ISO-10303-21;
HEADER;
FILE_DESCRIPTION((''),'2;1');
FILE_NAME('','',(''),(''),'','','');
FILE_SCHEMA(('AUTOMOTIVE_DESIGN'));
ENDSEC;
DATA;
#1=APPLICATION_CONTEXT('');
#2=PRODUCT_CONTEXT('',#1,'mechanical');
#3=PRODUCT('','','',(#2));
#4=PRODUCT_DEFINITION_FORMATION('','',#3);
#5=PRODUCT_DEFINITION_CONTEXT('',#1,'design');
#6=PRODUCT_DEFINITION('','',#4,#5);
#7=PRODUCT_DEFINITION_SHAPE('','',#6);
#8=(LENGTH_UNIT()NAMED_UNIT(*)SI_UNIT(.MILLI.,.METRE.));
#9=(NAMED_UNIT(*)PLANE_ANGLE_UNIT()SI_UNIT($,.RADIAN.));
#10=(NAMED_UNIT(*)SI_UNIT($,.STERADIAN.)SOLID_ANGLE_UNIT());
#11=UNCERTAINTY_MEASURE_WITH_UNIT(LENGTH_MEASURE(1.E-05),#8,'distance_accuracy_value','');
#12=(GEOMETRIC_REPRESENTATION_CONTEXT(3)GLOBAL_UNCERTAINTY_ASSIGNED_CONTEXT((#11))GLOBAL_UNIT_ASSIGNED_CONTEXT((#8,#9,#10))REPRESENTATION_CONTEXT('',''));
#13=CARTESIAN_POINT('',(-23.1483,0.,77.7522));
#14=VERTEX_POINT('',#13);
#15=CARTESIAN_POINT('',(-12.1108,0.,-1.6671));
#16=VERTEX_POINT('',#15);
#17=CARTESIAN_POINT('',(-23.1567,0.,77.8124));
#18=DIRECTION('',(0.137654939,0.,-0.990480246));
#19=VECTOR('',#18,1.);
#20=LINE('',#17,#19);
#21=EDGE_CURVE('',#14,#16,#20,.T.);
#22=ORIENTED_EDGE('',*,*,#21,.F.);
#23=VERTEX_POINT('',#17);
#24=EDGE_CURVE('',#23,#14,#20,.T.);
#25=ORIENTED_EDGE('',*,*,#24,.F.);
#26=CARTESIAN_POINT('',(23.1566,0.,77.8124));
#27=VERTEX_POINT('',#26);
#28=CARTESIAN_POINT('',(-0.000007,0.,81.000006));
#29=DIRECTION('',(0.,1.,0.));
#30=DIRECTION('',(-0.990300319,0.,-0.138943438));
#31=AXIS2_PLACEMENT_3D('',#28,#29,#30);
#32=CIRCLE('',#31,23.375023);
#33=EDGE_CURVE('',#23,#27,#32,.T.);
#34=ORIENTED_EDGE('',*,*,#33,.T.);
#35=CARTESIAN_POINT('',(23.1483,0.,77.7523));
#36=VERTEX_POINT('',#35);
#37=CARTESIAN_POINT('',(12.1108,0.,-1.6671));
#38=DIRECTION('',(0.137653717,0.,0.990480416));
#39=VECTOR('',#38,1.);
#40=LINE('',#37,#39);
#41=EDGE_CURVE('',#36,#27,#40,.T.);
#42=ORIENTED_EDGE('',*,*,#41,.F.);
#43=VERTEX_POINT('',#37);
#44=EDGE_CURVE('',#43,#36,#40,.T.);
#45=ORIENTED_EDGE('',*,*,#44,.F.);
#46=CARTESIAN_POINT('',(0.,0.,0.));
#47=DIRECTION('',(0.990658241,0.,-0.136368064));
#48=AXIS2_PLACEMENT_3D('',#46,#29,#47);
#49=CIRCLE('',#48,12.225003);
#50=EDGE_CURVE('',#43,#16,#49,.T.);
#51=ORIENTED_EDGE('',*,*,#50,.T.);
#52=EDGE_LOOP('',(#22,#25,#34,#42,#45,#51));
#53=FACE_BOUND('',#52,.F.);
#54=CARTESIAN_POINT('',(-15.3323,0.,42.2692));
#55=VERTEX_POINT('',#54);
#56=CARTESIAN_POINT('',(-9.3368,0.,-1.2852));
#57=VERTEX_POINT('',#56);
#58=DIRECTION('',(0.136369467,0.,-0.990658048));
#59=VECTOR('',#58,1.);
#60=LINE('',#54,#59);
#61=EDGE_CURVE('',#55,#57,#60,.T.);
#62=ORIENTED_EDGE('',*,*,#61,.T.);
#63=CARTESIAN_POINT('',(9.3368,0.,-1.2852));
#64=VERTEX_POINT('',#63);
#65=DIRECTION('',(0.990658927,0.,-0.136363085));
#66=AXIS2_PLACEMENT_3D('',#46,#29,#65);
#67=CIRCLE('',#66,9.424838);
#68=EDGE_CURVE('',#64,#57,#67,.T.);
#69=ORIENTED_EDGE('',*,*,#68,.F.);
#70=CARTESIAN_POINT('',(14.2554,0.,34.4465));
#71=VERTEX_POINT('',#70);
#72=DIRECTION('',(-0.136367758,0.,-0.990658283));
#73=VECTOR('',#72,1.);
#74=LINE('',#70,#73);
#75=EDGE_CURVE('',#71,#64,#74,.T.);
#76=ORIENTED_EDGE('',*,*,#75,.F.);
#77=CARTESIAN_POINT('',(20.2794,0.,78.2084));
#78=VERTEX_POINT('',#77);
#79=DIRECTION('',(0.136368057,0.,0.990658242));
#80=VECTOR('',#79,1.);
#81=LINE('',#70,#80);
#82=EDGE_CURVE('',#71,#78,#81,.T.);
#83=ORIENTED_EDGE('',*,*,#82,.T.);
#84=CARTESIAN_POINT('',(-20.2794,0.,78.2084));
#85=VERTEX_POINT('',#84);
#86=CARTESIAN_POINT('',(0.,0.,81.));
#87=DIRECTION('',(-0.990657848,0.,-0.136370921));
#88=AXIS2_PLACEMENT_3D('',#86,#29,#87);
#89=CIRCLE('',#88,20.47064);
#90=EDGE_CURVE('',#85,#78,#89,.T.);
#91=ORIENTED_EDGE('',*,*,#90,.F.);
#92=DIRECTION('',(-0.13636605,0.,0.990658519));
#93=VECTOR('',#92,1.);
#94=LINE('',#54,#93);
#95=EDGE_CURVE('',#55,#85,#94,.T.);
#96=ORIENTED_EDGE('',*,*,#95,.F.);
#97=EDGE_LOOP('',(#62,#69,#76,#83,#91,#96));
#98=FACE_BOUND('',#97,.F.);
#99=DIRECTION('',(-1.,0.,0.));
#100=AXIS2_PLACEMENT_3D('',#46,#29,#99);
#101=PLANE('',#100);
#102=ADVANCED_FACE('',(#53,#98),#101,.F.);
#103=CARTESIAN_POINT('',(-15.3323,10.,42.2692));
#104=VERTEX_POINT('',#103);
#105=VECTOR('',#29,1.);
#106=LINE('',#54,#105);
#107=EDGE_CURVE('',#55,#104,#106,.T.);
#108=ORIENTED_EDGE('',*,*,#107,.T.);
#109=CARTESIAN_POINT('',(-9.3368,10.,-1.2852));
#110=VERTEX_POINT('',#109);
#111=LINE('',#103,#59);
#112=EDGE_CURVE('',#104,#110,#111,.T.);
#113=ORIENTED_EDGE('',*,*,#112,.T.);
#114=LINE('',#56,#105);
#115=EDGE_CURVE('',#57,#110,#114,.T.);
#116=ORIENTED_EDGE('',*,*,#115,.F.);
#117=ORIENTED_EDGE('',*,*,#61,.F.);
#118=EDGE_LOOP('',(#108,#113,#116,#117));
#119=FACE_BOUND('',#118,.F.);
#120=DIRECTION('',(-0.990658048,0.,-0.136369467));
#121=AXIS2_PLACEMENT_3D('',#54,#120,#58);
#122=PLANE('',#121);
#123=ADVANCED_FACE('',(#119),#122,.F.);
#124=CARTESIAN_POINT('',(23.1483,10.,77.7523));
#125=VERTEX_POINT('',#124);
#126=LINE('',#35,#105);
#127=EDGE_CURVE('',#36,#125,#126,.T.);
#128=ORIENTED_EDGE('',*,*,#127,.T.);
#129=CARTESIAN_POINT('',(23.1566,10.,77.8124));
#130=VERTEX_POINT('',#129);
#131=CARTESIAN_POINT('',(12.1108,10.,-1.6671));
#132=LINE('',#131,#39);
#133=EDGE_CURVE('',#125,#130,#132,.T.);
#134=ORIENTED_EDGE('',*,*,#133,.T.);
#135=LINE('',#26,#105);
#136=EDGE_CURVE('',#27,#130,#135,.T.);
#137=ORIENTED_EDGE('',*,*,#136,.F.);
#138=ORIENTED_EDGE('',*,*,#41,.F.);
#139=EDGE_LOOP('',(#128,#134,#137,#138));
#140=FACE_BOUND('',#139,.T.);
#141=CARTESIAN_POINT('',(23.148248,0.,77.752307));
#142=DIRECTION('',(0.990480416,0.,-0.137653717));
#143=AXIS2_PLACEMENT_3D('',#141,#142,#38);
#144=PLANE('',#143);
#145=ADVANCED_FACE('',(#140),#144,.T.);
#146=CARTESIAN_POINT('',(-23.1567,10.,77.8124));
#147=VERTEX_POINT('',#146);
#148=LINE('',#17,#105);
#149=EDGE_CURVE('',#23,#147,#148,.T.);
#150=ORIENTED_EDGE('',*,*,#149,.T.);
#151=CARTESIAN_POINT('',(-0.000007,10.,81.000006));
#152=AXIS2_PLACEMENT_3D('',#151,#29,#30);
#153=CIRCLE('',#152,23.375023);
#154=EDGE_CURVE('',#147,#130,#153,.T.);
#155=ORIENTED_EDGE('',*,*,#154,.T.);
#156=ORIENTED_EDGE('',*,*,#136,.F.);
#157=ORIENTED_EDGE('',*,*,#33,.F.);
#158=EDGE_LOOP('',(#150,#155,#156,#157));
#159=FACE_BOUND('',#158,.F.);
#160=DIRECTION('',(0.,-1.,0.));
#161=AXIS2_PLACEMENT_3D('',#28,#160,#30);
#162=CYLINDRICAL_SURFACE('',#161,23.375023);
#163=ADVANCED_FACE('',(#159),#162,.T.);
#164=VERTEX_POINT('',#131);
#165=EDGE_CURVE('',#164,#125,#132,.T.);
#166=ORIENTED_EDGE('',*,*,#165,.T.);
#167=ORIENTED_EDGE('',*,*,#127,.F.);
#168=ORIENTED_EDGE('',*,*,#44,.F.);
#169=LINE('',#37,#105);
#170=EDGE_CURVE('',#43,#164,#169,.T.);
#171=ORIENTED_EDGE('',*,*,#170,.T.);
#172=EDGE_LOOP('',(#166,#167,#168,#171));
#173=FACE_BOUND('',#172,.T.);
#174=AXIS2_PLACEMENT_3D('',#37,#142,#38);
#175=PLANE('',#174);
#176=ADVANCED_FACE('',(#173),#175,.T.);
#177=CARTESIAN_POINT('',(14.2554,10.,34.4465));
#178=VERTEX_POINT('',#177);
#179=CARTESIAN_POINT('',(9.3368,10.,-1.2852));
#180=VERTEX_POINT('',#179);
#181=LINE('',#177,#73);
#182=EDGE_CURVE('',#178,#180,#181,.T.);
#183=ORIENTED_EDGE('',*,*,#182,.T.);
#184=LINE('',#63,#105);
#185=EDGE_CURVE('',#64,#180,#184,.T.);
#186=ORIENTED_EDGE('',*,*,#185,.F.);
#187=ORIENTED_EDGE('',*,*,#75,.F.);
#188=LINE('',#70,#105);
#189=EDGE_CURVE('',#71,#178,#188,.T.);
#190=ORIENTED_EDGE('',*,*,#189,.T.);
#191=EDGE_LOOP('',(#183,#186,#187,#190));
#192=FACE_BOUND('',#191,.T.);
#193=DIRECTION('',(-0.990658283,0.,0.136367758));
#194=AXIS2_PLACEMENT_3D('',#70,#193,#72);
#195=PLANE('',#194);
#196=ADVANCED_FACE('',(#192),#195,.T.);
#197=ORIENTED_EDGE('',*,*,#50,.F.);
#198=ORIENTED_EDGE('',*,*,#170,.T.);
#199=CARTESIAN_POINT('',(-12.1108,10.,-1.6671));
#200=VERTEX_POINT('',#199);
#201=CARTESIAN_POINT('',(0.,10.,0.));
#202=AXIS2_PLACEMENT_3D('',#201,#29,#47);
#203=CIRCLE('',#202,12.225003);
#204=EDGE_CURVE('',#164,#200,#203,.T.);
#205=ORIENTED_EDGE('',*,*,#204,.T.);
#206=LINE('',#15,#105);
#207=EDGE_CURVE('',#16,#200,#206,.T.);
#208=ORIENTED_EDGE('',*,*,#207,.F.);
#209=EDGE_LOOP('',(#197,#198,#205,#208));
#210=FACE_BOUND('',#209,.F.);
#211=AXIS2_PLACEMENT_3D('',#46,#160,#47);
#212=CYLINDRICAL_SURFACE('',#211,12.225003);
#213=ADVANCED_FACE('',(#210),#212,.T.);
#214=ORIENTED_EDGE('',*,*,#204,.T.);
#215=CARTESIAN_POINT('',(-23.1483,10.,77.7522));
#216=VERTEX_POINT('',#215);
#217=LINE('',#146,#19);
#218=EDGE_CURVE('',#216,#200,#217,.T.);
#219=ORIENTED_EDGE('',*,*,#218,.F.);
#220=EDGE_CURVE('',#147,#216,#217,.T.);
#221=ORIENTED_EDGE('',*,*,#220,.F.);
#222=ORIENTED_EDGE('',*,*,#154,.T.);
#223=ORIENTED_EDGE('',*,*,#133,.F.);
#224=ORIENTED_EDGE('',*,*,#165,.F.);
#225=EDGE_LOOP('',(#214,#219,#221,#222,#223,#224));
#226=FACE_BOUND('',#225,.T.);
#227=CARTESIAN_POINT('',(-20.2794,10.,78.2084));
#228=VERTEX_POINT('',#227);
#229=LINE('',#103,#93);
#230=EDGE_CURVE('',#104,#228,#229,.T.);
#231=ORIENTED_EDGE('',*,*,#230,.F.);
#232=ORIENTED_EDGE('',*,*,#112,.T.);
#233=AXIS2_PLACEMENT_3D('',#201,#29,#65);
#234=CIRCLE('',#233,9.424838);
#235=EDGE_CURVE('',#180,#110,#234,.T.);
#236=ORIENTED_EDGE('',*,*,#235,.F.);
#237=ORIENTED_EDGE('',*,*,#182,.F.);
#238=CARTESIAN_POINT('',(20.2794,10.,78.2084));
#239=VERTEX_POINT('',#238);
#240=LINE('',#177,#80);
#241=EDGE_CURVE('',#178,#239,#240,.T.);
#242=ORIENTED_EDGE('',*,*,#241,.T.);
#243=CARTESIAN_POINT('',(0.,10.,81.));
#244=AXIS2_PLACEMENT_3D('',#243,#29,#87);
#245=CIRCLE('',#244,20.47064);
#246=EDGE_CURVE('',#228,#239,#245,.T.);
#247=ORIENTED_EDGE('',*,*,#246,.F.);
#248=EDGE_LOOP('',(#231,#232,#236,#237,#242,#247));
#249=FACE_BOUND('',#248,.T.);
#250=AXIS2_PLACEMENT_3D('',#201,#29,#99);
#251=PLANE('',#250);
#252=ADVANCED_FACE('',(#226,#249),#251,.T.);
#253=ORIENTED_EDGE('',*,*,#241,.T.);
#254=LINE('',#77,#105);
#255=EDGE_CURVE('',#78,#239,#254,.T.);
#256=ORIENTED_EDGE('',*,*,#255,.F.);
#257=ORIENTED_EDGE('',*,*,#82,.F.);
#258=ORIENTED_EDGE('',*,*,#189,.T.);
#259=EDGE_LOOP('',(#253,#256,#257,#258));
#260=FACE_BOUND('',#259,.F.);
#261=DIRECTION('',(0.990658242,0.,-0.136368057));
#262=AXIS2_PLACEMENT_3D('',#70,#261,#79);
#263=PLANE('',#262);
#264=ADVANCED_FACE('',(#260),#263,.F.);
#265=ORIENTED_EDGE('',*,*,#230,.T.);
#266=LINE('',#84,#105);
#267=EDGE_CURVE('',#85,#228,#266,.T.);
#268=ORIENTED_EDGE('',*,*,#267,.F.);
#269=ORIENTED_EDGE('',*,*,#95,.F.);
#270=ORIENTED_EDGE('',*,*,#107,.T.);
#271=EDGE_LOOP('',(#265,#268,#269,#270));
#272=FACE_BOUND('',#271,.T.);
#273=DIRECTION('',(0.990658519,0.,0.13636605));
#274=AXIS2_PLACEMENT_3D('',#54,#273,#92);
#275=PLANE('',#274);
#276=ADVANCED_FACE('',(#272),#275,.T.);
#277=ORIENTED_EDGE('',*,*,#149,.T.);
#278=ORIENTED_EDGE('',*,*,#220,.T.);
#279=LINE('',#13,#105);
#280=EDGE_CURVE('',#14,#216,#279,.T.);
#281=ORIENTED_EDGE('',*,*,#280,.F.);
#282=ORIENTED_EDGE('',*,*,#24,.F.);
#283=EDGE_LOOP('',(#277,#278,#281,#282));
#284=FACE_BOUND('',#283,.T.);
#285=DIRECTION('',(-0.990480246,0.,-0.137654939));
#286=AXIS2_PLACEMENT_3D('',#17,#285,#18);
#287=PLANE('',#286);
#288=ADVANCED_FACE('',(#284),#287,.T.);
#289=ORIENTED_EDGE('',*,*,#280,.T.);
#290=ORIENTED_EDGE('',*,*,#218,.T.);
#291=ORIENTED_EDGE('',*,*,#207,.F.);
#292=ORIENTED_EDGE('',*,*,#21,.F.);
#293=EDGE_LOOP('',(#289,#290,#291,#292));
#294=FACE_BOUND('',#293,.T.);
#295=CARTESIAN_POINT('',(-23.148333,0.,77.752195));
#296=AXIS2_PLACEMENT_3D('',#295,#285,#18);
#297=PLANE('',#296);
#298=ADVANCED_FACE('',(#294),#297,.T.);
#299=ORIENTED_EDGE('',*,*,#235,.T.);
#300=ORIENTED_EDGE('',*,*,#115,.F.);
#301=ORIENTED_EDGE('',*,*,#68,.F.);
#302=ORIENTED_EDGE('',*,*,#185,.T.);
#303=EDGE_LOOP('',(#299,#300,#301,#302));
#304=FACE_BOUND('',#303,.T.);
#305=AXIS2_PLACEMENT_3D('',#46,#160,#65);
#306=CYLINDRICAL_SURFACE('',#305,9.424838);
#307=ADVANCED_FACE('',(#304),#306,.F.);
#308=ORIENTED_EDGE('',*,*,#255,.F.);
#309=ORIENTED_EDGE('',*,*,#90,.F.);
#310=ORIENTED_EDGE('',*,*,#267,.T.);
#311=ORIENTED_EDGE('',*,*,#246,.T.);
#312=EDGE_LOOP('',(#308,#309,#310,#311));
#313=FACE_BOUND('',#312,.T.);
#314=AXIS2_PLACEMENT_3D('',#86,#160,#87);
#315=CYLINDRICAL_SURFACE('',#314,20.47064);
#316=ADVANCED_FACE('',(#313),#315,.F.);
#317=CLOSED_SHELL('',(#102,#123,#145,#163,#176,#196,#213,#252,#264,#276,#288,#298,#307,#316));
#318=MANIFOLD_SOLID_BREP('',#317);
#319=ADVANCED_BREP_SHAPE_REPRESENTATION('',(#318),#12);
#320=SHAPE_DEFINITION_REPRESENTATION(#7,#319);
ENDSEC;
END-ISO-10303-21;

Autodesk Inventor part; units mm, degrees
ref_plane "YZ Plane" through (0, 0, 0) normal (1, 0, 0) x (0, 1, 0)
ref_plane "XZ Plane" through (0, 0, 0) normal (0, 1, 0) x (-1, 0, 0)
ref_plane "XY Plane" through (0, 0, 0) normal (0, 0, 1) x (1, 0, 0)
sketch "Szkic1" plane through (0, 0, 0) normal (0, 1, 0) x (-1, 0, 0)
  line L0 (15.3323, 42.2692) -> (20.2794, 78.2084)
  line L1 (-14.2554, 34.4465) -> (-9.3368, -1.2852)
  line L2 (-14.2554, 34.4465) -> (-20.2794, 78.2084)
  arc A0 (20.2794, 78.2084) -> (-20.2794, 78.2084) centre (0, 81) ccw
  arc A1 (-12.1108, -1.6671) -> (12.1108, -1.6671) centre (0, 0) ccw
  arc A2 (-12.1108, -1.6671) -> (12.1108, -1.6671) centre (0, 0) ccw
  line L3 (23.1567, 77.8124) -> (12.1108, -1.6671)
  line L4 (-12.1108, -1.6671) -> (-23.1566, 77.8124)
  arc A3 (-9.3368, -1.2852) -> (9.3368, -1.2852) centre (0, 0) ccw
  arc A4 (23.1483, 77.7522) -> (-23.1483, 77.7523) centre (0, 81) ccw
  line L5 (15.3323, 42.2692) -> (9.3368, -1.2852)
  point P0 (0, 0)
extrude "Wyciągnięcie proste1" add sketch "Szkic1" along normal blind 10
properties part number "Pas zębaty 10 T5-275"
